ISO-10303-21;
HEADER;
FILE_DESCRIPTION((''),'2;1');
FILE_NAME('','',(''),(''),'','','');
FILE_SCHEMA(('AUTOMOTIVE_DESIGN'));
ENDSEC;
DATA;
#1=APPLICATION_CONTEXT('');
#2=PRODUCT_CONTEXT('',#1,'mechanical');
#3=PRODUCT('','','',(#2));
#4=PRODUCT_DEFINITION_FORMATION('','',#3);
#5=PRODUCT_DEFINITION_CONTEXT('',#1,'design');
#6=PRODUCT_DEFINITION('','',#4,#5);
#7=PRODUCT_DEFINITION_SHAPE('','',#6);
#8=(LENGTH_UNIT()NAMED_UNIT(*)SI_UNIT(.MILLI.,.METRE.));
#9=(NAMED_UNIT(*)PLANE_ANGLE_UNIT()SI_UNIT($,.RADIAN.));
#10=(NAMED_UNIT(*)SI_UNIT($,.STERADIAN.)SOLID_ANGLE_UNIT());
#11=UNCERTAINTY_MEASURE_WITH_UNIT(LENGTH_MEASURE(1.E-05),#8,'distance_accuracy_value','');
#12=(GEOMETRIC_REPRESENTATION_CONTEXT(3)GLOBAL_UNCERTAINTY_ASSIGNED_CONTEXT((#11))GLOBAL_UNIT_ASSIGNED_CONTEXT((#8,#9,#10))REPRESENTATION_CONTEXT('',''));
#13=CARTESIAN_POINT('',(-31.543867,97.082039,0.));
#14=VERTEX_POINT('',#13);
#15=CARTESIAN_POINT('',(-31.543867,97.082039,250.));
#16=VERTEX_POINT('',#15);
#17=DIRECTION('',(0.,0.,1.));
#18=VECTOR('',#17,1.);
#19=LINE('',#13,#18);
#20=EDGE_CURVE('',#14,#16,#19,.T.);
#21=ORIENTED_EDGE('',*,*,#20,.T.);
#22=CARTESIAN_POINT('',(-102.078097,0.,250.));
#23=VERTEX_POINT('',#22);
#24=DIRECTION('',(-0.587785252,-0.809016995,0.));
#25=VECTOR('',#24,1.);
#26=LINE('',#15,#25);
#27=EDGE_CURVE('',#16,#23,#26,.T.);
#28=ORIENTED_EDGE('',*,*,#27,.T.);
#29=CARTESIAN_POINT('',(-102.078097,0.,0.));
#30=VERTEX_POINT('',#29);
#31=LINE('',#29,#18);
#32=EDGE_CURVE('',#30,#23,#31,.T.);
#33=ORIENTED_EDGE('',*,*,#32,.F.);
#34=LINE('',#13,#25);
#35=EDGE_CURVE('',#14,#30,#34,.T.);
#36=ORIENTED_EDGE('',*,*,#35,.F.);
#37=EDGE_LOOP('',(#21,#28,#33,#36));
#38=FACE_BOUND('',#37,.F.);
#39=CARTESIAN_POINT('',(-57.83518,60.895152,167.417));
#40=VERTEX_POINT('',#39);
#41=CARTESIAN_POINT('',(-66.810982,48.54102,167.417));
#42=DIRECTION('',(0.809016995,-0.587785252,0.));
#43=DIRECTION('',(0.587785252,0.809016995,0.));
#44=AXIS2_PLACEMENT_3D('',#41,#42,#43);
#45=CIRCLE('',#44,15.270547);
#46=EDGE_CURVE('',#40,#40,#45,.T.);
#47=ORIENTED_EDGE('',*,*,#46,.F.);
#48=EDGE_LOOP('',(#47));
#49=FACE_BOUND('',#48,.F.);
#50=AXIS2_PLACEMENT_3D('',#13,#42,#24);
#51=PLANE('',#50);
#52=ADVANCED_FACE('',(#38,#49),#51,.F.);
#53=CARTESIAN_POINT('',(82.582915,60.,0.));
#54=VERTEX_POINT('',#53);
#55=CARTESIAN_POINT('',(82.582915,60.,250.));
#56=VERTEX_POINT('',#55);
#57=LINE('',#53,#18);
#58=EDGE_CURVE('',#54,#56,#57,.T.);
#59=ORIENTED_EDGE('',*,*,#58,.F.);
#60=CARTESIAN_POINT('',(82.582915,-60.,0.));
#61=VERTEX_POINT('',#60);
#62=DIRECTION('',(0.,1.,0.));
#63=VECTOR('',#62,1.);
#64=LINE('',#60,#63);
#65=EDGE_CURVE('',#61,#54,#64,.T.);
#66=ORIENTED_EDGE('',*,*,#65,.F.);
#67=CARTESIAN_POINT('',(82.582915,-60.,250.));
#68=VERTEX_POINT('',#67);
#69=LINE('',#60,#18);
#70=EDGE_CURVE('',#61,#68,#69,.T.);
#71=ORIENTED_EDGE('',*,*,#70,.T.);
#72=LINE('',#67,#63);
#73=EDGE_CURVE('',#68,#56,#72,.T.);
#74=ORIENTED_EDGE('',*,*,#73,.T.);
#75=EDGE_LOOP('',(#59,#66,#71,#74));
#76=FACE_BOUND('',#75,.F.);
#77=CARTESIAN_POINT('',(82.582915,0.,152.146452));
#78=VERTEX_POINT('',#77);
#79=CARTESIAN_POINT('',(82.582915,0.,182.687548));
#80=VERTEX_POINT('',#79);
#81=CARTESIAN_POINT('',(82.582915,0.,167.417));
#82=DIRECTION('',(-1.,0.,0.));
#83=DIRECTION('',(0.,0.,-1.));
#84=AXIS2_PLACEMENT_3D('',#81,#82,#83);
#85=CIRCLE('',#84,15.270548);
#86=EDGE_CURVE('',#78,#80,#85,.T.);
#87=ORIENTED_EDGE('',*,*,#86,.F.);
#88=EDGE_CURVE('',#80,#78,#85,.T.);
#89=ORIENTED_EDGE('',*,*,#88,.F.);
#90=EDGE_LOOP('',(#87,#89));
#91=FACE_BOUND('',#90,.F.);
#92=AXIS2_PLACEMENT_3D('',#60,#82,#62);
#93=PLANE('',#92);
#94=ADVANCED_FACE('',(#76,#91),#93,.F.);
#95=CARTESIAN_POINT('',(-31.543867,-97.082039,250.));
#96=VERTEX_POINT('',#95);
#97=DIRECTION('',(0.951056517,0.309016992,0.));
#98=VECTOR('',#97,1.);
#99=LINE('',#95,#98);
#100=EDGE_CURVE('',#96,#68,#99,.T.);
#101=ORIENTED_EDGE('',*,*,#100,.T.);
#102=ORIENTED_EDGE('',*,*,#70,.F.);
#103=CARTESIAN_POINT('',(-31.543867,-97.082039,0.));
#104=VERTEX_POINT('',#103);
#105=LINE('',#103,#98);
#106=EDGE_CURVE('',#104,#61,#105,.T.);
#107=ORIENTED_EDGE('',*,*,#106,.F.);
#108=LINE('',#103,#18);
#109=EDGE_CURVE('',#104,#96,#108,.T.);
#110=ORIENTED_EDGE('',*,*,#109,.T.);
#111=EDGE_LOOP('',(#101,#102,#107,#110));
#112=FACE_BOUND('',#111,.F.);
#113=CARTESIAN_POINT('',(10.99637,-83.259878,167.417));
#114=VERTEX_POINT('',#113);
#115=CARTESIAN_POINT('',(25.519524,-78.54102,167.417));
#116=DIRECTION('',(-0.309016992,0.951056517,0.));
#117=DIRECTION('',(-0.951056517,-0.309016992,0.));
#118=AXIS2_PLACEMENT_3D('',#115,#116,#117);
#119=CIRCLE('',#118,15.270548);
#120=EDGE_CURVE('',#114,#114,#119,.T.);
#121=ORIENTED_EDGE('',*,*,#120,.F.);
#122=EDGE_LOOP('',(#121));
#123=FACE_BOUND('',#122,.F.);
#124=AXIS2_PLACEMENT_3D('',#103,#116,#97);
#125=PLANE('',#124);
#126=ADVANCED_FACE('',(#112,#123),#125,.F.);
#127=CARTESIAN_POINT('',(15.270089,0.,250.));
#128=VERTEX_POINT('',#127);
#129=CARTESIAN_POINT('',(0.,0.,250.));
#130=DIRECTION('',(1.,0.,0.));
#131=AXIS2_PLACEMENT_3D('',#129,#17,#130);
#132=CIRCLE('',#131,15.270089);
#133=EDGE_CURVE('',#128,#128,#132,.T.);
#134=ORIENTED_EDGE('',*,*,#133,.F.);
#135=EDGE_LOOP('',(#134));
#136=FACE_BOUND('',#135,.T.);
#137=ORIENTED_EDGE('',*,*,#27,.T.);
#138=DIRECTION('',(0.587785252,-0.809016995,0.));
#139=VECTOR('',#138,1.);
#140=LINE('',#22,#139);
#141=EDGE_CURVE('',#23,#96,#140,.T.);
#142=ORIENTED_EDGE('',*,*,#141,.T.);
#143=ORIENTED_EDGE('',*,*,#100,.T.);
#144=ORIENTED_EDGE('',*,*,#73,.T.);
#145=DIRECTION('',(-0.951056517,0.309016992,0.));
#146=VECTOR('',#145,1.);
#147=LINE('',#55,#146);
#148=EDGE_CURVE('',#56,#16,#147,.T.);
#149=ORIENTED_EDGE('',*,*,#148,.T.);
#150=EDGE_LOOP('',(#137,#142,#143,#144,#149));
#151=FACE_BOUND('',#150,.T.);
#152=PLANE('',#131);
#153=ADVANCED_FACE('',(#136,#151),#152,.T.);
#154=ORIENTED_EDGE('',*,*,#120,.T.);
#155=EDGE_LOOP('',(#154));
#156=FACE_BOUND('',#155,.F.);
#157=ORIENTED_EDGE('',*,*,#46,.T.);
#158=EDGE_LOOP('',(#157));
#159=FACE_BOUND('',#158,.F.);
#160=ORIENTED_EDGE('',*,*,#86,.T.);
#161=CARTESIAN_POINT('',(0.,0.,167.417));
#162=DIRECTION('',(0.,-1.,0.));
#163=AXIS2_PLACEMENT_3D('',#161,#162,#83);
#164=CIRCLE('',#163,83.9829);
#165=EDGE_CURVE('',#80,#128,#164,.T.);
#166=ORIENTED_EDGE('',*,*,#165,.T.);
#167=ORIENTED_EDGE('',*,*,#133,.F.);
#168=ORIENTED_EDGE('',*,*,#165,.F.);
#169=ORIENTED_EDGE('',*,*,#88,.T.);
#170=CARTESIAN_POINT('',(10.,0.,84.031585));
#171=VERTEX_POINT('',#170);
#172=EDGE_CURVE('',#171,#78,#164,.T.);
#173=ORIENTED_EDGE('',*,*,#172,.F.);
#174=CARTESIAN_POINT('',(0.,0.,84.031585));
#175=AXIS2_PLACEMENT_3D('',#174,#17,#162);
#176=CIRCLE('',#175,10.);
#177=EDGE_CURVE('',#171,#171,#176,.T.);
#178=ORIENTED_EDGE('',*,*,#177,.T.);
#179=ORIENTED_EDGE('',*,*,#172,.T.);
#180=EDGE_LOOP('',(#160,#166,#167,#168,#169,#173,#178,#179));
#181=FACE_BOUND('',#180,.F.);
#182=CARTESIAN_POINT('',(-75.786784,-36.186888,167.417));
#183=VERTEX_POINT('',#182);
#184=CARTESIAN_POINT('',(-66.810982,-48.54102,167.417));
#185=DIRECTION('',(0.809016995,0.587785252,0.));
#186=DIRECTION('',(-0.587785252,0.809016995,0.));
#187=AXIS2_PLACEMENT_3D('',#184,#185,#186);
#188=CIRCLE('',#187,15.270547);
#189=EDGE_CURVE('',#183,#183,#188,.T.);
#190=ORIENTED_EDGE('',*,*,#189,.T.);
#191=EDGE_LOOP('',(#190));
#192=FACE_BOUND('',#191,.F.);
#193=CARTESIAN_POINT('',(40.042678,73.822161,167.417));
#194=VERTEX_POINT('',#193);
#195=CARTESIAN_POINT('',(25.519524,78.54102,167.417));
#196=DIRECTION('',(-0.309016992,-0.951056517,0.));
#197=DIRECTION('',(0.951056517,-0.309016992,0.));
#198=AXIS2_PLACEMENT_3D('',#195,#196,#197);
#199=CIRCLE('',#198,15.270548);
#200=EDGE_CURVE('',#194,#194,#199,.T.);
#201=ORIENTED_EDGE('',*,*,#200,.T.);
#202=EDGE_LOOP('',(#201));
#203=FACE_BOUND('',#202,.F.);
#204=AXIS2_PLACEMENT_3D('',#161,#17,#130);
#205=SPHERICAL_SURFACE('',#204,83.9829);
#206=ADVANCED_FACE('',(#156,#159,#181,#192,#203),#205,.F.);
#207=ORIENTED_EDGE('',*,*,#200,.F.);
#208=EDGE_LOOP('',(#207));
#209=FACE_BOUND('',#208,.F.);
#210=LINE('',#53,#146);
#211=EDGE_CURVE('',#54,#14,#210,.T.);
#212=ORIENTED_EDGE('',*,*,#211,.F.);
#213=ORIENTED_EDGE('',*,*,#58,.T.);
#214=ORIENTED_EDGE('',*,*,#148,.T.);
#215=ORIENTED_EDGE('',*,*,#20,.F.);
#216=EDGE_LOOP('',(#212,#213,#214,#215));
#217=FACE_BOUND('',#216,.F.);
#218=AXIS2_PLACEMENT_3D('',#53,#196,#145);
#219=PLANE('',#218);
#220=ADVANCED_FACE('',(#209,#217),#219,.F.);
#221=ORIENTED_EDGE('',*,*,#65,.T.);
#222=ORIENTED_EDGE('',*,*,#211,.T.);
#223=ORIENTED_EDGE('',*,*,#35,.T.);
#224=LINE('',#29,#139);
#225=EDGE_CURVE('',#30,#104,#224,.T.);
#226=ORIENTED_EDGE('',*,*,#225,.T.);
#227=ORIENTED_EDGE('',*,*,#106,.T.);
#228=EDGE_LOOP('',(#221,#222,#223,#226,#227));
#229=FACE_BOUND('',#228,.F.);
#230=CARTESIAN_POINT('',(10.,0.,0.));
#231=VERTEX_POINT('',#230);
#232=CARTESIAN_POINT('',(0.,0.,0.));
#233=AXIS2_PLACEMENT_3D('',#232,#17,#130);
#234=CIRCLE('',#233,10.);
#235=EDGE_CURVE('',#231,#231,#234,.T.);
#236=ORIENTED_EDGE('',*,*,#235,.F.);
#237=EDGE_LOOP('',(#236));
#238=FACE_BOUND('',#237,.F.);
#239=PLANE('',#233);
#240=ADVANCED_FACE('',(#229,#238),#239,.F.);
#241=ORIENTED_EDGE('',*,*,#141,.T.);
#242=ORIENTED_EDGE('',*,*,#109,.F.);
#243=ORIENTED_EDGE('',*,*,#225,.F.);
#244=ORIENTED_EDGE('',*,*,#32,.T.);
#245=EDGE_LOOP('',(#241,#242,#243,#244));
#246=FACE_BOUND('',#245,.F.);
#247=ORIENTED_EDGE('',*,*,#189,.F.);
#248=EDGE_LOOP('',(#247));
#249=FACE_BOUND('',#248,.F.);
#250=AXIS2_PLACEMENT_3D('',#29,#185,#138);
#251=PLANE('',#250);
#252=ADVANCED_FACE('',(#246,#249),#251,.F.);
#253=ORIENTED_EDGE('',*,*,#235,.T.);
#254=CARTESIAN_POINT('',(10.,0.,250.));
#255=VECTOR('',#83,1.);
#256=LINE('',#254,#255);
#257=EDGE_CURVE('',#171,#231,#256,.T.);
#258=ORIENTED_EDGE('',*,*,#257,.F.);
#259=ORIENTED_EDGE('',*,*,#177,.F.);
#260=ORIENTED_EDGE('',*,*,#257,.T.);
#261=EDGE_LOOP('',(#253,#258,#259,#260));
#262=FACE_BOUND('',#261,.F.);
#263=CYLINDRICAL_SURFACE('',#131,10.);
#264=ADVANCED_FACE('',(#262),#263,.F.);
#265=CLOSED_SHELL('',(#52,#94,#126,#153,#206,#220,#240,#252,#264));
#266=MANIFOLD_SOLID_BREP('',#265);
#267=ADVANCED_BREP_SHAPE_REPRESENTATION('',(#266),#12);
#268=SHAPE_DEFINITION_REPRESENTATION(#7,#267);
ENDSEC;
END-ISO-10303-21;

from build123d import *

# Parameters (mm, degrees)
PAD_DEPTH    = 250
SKETCH001_R  = 10
POCKET_DEPTH = 250.001


with BuildPart() as sph_re:
    # Sphere → Sphere (revolve)
    with BuildSketch(Plane(origin=(0, 0, 167.417), x_dir=(1, 0, 0), z_dir=(0, -1, 0))):
        with BuildLine():
            ThreePointArc((0, -83.9829), (83.9829, 0), (0, 83.9829))
            Line((0, 83.9829), (0, -83.9829))
        make_face()
    revolve(axis=Axis((0, 0, 167.417), (0, 0, 1)))


with BuildPart() as cut:
    # Sketch → Pad (new body)
    with BuildSketch(Plane.XY):
        Polygon((-31.543867, 97.082039), (-102.078097, 0), (-31.543867, -97.082039), (82.582915, -60), (82.582915, 60), align=None)
    extrude(amount=PAD_DEPTH)

    # Sketch001 → Pocket (cut, through all)
    with BuildSketch(Plane.XY.offset(250)):
        Circle(SKETCH001_R)
    extrude(amount=-POCKET_DEPTH, mode=Mode.SUBTRACT)

    # Cut: cut Sphère
    add(sph_re.part, mode=Mode.SUBTRACT)


solid = cut.part
